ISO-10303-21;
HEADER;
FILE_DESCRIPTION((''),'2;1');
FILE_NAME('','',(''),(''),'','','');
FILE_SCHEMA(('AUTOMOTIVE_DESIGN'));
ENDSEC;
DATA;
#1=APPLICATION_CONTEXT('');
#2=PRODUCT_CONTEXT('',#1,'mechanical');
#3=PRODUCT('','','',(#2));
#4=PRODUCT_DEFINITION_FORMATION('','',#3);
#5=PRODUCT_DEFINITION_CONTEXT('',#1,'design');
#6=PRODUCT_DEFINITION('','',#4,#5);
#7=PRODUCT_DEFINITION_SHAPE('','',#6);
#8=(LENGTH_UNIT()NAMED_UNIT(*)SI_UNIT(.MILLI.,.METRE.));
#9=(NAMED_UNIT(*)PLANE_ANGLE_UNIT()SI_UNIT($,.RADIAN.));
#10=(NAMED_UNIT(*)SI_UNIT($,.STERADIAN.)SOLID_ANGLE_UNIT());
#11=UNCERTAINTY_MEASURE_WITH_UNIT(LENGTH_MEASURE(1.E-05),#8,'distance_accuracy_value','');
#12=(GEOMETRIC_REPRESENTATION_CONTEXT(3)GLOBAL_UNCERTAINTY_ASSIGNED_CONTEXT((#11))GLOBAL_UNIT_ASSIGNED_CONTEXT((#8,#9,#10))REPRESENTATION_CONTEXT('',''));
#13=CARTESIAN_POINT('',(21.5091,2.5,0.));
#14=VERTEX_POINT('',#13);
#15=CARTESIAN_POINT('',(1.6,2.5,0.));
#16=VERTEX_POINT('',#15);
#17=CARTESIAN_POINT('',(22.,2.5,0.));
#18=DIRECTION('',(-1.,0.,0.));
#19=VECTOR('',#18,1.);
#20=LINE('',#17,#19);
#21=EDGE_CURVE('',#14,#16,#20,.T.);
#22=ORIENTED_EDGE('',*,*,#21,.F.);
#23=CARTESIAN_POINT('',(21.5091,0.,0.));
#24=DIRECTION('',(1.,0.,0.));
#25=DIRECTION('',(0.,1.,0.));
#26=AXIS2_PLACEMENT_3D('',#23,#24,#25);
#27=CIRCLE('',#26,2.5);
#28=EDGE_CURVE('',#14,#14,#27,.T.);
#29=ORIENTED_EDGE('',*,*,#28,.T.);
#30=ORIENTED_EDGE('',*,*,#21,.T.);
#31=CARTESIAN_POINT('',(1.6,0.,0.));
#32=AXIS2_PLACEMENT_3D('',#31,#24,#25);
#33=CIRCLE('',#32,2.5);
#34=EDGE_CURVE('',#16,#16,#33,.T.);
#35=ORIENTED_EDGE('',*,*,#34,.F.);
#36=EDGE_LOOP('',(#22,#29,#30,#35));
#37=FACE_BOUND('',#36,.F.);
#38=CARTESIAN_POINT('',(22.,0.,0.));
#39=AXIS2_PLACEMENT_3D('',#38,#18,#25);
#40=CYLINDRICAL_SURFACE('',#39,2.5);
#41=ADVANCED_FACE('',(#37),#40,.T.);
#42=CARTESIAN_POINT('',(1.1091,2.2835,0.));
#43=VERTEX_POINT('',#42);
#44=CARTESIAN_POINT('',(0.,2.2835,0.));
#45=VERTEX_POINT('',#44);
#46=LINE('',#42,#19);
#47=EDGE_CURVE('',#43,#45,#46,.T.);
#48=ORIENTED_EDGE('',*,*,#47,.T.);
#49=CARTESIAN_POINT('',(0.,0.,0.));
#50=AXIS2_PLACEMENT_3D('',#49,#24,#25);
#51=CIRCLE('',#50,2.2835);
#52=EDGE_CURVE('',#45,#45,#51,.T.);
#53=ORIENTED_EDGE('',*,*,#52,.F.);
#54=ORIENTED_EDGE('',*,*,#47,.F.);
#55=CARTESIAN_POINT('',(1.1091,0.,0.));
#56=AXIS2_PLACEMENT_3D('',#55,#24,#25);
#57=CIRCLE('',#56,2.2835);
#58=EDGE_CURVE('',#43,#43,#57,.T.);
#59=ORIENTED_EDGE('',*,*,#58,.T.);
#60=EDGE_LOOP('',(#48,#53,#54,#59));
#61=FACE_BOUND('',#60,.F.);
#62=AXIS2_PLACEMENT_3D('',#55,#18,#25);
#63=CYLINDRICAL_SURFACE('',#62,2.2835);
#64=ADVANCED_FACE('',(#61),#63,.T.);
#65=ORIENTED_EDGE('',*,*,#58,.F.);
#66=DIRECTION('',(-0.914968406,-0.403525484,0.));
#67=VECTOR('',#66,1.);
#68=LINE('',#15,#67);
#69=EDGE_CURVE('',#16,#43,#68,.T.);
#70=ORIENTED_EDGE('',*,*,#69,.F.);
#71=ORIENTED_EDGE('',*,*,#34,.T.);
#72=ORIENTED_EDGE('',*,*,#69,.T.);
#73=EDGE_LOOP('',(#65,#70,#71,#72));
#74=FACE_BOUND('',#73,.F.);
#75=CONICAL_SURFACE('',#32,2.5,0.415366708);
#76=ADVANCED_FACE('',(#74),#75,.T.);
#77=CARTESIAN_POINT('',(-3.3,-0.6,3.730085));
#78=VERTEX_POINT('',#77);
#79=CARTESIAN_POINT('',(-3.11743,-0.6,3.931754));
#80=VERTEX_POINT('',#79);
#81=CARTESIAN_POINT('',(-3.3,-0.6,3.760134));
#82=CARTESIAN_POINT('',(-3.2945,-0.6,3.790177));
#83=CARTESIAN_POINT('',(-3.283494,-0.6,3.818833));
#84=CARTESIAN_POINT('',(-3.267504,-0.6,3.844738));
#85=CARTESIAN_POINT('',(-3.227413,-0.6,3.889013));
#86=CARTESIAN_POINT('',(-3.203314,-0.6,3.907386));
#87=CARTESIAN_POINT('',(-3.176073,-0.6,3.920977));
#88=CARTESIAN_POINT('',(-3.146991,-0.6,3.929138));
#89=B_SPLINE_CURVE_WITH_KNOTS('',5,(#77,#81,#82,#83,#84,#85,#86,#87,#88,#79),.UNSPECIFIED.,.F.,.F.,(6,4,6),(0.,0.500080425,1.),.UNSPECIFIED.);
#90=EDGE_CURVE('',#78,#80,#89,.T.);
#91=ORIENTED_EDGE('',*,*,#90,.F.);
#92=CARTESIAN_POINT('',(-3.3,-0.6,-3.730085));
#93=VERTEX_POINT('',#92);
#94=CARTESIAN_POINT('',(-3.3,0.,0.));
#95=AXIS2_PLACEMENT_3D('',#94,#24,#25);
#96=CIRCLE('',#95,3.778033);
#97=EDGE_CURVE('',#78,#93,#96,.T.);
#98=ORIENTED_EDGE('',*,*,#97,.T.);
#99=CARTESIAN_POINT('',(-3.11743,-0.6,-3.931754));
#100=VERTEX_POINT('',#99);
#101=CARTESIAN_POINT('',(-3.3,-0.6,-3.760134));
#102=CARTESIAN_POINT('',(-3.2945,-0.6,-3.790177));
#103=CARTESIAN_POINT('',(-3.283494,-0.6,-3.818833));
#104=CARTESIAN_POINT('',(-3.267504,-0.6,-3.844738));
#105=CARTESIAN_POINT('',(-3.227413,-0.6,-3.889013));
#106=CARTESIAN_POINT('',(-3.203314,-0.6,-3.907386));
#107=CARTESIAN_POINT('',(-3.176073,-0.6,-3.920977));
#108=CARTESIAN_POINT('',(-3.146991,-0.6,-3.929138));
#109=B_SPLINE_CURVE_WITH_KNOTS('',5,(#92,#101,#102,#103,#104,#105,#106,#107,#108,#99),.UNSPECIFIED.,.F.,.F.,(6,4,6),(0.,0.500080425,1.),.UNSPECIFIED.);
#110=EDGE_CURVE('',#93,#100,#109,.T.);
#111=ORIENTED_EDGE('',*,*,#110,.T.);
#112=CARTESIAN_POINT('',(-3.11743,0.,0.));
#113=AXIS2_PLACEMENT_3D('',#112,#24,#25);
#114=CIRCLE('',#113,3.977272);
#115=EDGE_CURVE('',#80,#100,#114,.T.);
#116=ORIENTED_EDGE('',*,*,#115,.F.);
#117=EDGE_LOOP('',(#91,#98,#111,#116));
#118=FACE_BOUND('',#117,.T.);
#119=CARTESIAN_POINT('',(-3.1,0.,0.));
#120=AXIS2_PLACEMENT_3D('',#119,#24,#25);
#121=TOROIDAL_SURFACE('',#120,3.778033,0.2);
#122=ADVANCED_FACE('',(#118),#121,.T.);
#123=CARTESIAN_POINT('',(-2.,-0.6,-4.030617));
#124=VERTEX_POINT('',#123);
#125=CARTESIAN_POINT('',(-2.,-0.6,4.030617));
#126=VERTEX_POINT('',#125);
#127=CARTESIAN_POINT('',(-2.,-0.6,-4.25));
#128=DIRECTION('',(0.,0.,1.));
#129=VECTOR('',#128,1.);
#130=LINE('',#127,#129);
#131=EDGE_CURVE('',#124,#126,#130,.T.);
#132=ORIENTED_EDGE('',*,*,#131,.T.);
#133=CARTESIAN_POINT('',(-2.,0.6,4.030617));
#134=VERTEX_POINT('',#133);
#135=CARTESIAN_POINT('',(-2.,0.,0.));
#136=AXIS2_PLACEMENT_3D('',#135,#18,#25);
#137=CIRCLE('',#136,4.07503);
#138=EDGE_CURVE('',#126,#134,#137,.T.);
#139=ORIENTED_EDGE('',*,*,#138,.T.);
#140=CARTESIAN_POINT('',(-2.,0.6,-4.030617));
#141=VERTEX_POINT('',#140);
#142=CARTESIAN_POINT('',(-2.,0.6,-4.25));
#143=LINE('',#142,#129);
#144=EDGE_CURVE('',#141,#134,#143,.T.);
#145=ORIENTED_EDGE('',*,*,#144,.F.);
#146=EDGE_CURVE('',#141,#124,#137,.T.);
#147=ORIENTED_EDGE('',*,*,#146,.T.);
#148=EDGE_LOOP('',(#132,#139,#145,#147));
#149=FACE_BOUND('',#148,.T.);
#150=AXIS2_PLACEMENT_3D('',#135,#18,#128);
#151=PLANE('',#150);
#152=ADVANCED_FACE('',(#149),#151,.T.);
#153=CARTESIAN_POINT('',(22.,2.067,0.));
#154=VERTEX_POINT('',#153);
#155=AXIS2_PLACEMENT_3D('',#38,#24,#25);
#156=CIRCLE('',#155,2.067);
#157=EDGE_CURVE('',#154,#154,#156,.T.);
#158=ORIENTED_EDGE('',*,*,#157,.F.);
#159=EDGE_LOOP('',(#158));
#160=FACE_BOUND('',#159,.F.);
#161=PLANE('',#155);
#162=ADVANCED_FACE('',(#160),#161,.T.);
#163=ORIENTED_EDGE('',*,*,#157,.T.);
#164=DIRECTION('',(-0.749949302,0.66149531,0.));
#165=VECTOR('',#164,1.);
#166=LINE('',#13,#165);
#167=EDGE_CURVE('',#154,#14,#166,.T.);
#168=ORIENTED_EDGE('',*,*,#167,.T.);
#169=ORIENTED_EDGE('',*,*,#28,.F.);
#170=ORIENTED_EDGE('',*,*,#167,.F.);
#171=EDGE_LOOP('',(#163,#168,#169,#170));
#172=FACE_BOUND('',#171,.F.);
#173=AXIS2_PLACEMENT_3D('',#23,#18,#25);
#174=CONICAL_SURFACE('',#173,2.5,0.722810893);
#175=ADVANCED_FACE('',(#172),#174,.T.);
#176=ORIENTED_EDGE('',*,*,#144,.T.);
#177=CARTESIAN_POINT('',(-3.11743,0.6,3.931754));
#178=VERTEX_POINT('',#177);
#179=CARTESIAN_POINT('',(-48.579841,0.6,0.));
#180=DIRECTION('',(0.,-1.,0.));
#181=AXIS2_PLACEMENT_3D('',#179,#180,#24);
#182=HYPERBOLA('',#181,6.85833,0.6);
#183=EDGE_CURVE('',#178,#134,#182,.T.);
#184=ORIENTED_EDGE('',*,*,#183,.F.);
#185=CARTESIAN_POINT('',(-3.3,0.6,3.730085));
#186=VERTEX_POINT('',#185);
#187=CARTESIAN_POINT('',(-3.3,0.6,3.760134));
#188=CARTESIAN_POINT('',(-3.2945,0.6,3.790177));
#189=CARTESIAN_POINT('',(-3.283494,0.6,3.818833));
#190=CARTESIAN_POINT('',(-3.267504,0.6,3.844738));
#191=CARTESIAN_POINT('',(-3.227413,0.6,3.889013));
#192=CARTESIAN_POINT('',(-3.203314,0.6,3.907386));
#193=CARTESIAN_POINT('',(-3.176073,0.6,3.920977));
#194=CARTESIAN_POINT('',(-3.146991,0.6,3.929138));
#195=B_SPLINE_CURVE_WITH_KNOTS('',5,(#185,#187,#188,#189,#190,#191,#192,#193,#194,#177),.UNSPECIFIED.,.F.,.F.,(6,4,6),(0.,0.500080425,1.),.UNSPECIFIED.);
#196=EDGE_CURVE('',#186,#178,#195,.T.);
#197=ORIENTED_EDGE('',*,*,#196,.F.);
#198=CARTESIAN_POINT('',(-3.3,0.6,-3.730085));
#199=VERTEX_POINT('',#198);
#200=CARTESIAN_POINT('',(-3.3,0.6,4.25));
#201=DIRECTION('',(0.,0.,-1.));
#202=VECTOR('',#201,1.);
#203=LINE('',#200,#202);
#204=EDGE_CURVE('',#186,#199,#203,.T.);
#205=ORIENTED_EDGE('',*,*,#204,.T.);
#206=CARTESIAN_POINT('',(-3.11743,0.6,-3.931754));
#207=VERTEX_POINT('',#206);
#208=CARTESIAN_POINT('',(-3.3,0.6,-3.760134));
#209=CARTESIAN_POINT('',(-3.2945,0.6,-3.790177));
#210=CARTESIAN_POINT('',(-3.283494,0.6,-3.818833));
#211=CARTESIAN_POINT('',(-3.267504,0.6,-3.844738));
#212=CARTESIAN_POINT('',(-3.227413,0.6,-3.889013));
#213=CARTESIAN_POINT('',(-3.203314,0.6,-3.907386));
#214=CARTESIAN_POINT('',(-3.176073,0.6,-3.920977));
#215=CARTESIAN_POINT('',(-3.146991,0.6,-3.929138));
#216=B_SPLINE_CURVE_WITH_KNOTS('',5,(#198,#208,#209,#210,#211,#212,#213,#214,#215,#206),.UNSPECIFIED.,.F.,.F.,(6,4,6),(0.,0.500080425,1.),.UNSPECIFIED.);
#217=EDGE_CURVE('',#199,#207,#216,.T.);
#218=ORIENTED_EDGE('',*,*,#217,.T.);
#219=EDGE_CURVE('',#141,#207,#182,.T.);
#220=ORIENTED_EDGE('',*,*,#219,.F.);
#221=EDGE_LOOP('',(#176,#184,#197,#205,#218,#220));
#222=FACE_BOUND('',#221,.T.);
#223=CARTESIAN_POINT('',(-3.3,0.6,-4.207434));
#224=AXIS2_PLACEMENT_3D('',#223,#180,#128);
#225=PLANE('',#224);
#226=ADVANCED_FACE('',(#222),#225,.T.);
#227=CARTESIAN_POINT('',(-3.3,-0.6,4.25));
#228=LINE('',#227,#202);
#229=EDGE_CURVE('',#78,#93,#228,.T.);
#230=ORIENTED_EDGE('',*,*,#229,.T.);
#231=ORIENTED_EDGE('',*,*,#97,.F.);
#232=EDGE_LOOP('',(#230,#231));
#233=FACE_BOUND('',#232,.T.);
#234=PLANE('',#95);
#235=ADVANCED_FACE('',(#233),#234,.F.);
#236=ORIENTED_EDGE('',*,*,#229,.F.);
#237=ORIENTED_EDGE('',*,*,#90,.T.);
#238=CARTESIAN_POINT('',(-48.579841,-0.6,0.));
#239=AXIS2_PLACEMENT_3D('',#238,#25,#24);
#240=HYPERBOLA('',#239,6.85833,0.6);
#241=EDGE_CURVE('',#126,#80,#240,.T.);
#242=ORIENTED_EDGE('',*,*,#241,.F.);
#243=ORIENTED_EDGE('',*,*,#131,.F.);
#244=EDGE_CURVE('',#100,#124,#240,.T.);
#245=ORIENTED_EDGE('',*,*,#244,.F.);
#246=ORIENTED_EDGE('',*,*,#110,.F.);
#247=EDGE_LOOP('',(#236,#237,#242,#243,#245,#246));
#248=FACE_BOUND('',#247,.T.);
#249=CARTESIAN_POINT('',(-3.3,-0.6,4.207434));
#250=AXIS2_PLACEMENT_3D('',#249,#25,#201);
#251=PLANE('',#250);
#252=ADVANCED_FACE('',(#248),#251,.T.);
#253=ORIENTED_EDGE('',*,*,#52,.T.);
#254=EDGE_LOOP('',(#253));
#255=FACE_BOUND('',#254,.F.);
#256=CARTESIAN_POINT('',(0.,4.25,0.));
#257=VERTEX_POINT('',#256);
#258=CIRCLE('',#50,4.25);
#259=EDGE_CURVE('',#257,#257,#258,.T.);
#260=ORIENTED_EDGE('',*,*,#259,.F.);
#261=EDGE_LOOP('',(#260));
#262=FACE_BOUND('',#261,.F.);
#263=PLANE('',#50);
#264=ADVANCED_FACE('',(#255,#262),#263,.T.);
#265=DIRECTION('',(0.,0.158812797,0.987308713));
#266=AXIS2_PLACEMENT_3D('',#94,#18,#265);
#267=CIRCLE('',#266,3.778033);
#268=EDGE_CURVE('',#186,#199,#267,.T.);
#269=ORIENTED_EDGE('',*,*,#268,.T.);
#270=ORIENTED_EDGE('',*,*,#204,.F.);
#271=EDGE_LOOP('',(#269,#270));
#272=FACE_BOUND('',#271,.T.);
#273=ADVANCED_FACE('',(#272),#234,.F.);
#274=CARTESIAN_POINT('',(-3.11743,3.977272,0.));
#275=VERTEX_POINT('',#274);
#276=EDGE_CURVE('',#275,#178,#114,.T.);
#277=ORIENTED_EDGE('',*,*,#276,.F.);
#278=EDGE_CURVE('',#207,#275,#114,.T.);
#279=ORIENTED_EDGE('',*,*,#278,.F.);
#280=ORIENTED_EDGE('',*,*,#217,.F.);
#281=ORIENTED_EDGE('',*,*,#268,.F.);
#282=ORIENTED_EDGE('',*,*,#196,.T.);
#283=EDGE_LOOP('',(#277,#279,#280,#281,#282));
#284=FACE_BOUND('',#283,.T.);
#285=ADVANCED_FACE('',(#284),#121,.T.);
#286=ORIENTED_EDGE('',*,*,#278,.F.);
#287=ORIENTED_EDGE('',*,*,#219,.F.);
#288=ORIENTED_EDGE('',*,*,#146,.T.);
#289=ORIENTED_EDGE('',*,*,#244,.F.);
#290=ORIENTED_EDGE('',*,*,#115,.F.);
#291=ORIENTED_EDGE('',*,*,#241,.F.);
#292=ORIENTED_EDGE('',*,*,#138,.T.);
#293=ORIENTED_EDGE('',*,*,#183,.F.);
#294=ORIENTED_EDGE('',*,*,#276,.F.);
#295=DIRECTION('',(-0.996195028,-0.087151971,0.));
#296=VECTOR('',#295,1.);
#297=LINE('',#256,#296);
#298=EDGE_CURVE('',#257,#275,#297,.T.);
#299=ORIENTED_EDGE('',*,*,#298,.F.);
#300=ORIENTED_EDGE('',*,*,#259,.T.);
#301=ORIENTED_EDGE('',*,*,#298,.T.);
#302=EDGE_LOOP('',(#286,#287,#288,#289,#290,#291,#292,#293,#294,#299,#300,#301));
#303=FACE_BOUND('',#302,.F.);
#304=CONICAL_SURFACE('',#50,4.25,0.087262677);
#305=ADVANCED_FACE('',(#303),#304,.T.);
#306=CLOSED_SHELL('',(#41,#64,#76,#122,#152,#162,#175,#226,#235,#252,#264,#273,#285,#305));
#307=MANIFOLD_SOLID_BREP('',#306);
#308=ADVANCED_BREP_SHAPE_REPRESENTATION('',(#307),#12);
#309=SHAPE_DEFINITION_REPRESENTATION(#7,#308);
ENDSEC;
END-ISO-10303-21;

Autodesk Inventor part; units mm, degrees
ref_plane "YZ Plane" through (0, 0, 0) normal (1, 0, 0) x (0, 1, 0)
ref_plane "XZ Plane" through (0, 0, 0) normal (0, 1, 0) x (-1, 0, 0)
sketch "Sketch1" plane through (0, 0, 0) normal (0, 0, 1) x (1, 0, 0)
  line L0 (-3.3, 0) -> (22, 0)
  line L1 (22, 0) -> (22, 2.5)
  line L2 (22, 2.5) -> (1.6, 2.5)
  line L3 (1.6, 2.5) -> (1.1091, 2.2835)
  line L4 (1.1091, 2.2835) -> (0, 2.2835)
  line L5 (0, 2.2835) -> (0, 4.25)
  line L6 (-8.36, 0) -> (27.06, 0) projected
  line L7 (0, -0.85) -> (0, 5.1) projected
  line L8 (-3.3, 0) -> (-3.3, 3.9613)
  line L9 (0, 4.25) -> (-3.3, 3.9613)
  line L10 (1.6, 2.5) -> (0, 2.5) construction
  dimension "d0" = 22
  dimension "d1" = 20.4
  dimension "d2" = 0.4909
  dimension "d3" = 3.3
  dimension "d4" = 5
  dimension "d5" = 4.567
  dimension "d9" = 8.5
  dimension "d10" = 5
revolve "Body" add sketch "Sketch1" angle 360 about axis through (-3.3, 0, 0) along (1, 0, 0)
sketch "Sketch2" plane through (-3.3, 0, 0) normal (-1, 0, 0) x (0, 0, 1)
  circle A0 centre (0, 0) radius 4.25 projected
  line L0 (0, 0) -> (0, 3.9613) projected
  line L1 (-4.25, 0.6) -> (4.25, 0.6)
  line L2 (4.25, 0.6) -> (4.25, -0.6)
  line L3 (4.25, -0.6) -> (-4.25, -0.6)
  line L4 (-4.25, -0.6) -> (-4.25, 0.6)
  line L5 (-4.25, 0) -> (4.25, 0) construction
  line L6 (0, 0.6) -> (0, -0.6) construction
  dimension "d11" = 1.2
  dimension "d12" = 8.5
fillet "Fillet1" radius 0.2 1 edges at (-3.3, -3.9613, 0)
extrude "Slot" cut sketch "Sketch2" against normal blind 1.3 contours A0 L3 L1 | L2 L3 A0 | A0 L1 L2 | A0 L4 L1 | L3 L4 A0
thread "Thread" size "M5x0.8" class "6g" standard "ISO Metric profile" length 20.4
chamfer "Chamfer1" distance 0.433 distance2 0.4909 1 edges at (22, -2.5, 0) measured on face at (22, 0.6238, 0.5526)
ref_plane "Work Plane1" through (30.1625, 0, 0) normal (0, 0, -1) x (1, 0, 0)
equation "\"d11\" = SBR"
equation "\"d12\" = KOD"
equation "\"d14\" = RR"
equation "\"d19\" = STI"
equation "\"d15\" = GEL"
equation "\"d17\" = -0.5 * SPD + 0.5 * GD"
equation "\"d0\" = NLG"
equation "\"d1\" = GEL"
equation "\"d3\" = KOH"
equation "\"d4\" = GD"
equation "\"d5\" = BDM"
equation "\"d9\" = KOD"
equation "\"d10\" = KEWI"
equation "\"GD\" = 5"
equation "\"NLG\" = 22"
equation "\"GEL\" = 20.4"
equation "\"KOD\" = 8.5"
equation "\"KOH\" = 3.3"
equation "\"GAL\" = 0.61345 * PTC"
equation "\"SPD\" = 4.13397"
equation "\"BDM\" = 4.56699"
equation "\"GUL\" = 0.61345 * PTC"
equation "\"RR\" = 0.2"
equation "\"SBR\" = 1.2"
equation "\"STI\" = 1.3"
equation "\"KEWI\" = 5deg"
equation "\"PTC\" = 0.8"
equation "\"THREADDIA\" = 5"
equation "\"TOA\" = 30deg"
equation "\"NND\" = 5"
equation "\"GD1\" = THREADDIA - 1.2269 * PTC"
properties part number "DIN 84 - M5 x 22" material "Steel, Mild"
